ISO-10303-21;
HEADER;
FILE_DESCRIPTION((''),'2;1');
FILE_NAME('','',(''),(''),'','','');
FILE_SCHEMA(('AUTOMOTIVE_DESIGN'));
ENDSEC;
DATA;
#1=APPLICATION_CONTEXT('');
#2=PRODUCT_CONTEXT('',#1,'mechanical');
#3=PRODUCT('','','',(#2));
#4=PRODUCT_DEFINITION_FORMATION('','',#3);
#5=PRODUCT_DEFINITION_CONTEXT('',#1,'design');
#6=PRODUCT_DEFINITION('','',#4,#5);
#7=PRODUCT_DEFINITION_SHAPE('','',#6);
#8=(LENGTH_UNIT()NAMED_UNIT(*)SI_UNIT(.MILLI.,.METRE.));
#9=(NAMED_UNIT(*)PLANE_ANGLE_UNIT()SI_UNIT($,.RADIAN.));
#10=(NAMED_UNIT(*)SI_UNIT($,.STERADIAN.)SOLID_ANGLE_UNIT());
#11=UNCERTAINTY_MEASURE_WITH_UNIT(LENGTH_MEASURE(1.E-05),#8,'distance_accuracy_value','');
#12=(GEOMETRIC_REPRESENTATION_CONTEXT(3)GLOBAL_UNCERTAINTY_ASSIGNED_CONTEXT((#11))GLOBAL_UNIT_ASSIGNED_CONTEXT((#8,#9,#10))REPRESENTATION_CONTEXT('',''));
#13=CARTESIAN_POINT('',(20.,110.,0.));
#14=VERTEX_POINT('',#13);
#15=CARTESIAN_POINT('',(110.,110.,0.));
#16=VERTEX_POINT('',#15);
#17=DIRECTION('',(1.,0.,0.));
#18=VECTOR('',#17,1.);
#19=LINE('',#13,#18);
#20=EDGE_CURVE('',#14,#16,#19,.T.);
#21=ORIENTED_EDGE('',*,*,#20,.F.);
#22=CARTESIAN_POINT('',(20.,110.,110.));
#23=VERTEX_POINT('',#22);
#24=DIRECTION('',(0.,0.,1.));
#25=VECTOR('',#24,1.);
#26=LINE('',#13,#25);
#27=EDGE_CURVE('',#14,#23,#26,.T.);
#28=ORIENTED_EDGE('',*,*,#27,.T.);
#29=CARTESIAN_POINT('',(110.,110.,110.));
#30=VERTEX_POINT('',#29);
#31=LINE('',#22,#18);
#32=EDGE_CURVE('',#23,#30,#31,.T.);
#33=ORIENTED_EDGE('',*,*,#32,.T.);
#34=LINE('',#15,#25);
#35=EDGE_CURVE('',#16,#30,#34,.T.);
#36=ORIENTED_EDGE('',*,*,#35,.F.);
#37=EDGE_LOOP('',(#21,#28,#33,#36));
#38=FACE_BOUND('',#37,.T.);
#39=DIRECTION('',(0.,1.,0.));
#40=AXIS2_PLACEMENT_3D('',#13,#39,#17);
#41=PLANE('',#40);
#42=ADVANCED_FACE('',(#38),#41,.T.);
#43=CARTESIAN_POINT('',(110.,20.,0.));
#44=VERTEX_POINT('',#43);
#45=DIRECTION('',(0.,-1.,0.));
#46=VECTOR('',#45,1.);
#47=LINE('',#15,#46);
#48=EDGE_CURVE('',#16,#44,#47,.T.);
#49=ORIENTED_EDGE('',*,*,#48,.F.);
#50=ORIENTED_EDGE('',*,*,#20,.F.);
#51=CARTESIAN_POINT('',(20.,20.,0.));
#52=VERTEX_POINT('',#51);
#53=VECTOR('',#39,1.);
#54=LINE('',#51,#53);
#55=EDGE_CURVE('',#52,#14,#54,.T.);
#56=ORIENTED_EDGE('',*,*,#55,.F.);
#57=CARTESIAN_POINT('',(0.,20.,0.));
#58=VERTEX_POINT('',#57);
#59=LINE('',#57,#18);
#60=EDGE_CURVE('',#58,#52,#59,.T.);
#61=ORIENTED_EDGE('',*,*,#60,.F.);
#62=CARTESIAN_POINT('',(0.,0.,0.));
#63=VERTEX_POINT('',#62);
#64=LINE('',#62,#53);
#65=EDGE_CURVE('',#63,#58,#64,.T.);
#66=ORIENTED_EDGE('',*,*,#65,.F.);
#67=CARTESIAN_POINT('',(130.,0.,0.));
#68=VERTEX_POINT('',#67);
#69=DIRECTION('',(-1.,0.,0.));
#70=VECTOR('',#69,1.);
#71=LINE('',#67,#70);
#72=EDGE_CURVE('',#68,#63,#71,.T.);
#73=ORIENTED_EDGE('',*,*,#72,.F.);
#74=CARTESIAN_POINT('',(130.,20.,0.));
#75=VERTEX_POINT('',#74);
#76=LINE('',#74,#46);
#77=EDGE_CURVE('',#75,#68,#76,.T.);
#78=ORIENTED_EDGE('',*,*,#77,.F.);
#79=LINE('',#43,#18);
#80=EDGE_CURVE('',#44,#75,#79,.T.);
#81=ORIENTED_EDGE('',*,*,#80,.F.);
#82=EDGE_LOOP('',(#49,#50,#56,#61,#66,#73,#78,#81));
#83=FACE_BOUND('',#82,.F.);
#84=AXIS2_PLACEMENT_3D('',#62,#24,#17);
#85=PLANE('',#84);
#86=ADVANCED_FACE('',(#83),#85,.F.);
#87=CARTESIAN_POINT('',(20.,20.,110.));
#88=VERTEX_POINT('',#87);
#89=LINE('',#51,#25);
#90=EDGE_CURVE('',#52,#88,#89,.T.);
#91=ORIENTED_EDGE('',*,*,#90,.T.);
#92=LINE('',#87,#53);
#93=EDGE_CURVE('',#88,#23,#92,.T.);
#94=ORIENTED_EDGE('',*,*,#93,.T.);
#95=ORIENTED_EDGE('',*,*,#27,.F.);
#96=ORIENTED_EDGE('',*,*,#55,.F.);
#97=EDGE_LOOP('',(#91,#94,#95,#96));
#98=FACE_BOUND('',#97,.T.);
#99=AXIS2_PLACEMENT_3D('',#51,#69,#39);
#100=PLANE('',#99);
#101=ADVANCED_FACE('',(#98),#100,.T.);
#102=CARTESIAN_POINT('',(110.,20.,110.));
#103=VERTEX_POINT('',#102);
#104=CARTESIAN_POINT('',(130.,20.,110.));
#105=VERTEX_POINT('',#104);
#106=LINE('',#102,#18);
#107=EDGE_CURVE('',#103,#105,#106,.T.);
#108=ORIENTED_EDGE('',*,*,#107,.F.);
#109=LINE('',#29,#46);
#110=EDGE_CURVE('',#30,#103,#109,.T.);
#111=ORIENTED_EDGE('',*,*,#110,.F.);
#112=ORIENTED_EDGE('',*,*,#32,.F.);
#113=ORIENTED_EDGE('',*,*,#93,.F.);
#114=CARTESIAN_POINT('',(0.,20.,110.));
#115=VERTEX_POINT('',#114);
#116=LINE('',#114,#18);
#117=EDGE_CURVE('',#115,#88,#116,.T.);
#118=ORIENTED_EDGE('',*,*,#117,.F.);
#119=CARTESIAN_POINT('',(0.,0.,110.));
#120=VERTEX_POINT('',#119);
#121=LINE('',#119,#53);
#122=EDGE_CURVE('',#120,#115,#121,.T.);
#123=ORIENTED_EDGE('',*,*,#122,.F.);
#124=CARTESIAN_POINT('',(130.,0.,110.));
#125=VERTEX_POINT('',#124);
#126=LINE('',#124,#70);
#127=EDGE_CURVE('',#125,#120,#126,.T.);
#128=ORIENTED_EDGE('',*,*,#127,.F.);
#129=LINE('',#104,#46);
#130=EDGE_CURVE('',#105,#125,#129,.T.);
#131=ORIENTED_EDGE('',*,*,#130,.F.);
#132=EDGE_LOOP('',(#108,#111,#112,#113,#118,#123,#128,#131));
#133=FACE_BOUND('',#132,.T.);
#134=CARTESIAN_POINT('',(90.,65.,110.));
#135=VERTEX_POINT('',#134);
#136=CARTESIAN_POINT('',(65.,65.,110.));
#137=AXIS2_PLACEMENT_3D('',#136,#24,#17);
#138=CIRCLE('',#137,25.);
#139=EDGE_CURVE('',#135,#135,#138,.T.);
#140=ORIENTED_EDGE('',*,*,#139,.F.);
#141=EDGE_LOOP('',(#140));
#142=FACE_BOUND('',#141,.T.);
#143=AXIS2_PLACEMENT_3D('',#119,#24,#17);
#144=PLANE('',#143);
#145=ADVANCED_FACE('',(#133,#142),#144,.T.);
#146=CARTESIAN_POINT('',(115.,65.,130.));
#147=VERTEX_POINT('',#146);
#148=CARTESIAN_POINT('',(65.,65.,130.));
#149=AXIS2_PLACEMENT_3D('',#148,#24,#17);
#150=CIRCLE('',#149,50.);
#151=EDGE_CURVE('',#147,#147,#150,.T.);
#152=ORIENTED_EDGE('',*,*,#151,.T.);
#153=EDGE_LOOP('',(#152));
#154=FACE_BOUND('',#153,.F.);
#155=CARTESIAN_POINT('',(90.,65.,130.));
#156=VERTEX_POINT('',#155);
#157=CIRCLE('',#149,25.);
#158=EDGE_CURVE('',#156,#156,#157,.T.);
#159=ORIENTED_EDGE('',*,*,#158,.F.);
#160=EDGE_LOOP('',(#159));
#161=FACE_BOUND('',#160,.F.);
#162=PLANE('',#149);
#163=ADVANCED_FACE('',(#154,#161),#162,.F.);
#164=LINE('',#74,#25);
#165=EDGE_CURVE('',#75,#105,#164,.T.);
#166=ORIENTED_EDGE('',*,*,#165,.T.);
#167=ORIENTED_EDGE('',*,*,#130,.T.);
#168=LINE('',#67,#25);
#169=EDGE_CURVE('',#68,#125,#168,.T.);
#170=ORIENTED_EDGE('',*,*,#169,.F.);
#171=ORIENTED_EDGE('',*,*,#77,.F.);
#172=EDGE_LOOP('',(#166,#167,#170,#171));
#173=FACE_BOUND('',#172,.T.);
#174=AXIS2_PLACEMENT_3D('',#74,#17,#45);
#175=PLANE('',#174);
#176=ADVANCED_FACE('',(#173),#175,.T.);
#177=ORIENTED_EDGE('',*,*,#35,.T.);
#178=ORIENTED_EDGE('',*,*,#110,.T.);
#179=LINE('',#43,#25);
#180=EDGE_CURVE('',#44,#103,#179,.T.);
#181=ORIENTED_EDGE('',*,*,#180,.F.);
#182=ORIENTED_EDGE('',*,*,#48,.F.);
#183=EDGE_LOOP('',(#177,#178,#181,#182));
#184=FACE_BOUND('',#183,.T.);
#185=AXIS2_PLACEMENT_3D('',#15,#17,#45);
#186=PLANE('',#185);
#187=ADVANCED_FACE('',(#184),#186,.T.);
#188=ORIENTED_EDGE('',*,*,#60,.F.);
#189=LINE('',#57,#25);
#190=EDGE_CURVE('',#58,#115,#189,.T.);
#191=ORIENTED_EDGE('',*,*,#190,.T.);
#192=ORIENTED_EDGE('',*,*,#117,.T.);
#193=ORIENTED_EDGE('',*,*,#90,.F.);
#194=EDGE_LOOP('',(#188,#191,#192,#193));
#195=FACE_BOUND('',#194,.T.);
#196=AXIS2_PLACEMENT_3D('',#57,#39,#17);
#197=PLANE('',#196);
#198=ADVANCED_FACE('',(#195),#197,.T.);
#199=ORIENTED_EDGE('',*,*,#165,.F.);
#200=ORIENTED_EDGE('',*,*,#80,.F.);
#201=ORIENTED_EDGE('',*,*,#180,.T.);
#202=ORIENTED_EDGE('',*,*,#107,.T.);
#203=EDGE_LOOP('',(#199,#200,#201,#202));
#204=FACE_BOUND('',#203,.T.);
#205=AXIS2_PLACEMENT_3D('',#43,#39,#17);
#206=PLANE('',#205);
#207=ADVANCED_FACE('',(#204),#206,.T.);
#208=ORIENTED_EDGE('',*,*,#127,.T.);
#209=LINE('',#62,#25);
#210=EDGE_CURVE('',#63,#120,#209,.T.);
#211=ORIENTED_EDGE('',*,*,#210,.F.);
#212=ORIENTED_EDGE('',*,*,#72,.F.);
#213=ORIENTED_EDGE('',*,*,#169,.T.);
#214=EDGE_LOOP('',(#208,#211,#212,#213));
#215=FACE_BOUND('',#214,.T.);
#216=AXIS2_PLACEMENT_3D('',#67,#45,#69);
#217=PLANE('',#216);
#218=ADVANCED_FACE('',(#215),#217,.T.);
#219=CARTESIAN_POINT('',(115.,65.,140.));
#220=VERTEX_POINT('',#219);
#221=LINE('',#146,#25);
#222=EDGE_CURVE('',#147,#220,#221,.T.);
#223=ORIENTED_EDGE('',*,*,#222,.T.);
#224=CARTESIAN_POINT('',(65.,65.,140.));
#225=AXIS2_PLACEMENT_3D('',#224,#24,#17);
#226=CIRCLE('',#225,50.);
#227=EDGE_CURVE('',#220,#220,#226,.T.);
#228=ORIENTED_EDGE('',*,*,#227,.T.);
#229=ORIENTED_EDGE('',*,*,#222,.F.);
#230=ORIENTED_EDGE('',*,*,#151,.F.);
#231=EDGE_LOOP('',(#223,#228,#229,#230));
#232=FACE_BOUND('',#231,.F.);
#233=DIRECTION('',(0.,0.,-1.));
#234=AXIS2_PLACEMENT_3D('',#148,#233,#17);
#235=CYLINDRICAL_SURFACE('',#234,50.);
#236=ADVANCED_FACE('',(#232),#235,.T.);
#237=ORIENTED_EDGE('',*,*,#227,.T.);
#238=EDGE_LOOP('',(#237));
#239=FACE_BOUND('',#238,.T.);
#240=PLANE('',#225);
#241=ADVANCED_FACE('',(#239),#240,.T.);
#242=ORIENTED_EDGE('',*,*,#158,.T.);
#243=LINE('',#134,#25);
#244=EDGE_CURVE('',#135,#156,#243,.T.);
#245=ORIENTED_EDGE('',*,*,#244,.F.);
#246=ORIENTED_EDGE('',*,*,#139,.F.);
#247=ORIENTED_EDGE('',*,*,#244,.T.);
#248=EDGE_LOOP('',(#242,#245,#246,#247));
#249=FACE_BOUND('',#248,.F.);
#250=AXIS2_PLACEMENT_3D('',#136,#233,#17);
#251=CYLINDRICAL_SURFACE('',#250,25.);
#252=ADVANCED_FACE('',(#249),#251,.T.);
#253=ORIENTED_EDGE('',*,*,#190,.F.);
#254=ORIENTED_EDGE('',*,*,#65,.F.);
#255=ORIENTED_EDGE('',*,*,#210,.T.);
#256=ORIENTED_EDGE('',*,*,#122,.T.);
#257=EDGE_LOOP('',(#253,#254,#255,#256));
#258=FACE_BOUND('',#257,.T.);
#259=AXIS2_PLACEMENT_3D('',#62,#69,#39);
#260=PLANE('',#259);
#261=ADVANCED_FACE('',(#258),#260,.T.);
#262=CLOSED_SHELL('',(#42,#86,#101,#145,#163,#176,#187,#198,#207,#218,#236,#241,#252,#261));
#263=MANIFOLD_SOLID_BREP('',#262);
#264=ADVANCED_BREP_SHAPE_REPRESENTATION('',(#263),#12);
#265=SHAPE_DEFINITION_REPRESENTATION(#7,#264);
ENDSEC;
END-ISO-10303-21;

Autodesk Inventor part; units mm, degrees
ref_plane "YZ Plane" through (0, 0, 0) normal (1, 0, 0) x (0, 1, 0)
ref_plane "XZ Plane" through (0, 0, 0) normal (0, 1, 0) x (-1, 0, 0)
ref_plane "XY Plane" through (0, 0, 0) normal (0, 0, 1) x (1, 0, 0)
sketch "Sketch1" plane through (0, 0, 0) normal (0, 0, 1) x (1, 0, 0)
  line L0 (0, 0) -> (0, 20)
  line L1 (0, 20) -> (20, 20)
  line L2 (20, 20) -> (20, 110)
  line L3 (20, 110) -> (110, 110)
  line L4 (110, 110) -> (110, 20)
  line L5 (110, 20) -> (130, 20)
  line L6 (130, 20) -> (130, 0)
  line L7 (130, 0) -> (0, 0)
  dimension "d0" = 20
  dimension "d1" = 110
  dimension "d2" = 90
  dimension "d3" = 130
extrude "Extrusion1" add sketch "Sketch1" along normal blind 110
sketch "Sketch2" plane through (0, 0, 110) normal (0, 0, 1) x (1, 0, 0)
  line L0 (110, 110) -> (20, 110) projected
  line L1 (0, 0) -> (130, 0) projected
  circle A0 centre (65, 65) radius 25
  line L2 (65, 65) -> (65, 0) construction
  line L3 (0, 0) -> (130, 0) construction
  dimension "d6" = 65
  dimension "d7" = 50
extrude "Extrusion2" add sketch "Sketch2" along normal blind 20
sketch "Sketch3" plane through (65, 65, 130) normal (0, 0, 1) x (1, 0, 0)
  circle A0 centre (0, 0) radius 50
  circle A1 centre (0, 0) radius 25 projected
  point P0 (-65, -65)
  dimension "d10" = 100
extrude "Extrusion3" add sketch "Sketch3" along normal blind 10 contours A0 | A1
properties part number "A_Gearbox"
